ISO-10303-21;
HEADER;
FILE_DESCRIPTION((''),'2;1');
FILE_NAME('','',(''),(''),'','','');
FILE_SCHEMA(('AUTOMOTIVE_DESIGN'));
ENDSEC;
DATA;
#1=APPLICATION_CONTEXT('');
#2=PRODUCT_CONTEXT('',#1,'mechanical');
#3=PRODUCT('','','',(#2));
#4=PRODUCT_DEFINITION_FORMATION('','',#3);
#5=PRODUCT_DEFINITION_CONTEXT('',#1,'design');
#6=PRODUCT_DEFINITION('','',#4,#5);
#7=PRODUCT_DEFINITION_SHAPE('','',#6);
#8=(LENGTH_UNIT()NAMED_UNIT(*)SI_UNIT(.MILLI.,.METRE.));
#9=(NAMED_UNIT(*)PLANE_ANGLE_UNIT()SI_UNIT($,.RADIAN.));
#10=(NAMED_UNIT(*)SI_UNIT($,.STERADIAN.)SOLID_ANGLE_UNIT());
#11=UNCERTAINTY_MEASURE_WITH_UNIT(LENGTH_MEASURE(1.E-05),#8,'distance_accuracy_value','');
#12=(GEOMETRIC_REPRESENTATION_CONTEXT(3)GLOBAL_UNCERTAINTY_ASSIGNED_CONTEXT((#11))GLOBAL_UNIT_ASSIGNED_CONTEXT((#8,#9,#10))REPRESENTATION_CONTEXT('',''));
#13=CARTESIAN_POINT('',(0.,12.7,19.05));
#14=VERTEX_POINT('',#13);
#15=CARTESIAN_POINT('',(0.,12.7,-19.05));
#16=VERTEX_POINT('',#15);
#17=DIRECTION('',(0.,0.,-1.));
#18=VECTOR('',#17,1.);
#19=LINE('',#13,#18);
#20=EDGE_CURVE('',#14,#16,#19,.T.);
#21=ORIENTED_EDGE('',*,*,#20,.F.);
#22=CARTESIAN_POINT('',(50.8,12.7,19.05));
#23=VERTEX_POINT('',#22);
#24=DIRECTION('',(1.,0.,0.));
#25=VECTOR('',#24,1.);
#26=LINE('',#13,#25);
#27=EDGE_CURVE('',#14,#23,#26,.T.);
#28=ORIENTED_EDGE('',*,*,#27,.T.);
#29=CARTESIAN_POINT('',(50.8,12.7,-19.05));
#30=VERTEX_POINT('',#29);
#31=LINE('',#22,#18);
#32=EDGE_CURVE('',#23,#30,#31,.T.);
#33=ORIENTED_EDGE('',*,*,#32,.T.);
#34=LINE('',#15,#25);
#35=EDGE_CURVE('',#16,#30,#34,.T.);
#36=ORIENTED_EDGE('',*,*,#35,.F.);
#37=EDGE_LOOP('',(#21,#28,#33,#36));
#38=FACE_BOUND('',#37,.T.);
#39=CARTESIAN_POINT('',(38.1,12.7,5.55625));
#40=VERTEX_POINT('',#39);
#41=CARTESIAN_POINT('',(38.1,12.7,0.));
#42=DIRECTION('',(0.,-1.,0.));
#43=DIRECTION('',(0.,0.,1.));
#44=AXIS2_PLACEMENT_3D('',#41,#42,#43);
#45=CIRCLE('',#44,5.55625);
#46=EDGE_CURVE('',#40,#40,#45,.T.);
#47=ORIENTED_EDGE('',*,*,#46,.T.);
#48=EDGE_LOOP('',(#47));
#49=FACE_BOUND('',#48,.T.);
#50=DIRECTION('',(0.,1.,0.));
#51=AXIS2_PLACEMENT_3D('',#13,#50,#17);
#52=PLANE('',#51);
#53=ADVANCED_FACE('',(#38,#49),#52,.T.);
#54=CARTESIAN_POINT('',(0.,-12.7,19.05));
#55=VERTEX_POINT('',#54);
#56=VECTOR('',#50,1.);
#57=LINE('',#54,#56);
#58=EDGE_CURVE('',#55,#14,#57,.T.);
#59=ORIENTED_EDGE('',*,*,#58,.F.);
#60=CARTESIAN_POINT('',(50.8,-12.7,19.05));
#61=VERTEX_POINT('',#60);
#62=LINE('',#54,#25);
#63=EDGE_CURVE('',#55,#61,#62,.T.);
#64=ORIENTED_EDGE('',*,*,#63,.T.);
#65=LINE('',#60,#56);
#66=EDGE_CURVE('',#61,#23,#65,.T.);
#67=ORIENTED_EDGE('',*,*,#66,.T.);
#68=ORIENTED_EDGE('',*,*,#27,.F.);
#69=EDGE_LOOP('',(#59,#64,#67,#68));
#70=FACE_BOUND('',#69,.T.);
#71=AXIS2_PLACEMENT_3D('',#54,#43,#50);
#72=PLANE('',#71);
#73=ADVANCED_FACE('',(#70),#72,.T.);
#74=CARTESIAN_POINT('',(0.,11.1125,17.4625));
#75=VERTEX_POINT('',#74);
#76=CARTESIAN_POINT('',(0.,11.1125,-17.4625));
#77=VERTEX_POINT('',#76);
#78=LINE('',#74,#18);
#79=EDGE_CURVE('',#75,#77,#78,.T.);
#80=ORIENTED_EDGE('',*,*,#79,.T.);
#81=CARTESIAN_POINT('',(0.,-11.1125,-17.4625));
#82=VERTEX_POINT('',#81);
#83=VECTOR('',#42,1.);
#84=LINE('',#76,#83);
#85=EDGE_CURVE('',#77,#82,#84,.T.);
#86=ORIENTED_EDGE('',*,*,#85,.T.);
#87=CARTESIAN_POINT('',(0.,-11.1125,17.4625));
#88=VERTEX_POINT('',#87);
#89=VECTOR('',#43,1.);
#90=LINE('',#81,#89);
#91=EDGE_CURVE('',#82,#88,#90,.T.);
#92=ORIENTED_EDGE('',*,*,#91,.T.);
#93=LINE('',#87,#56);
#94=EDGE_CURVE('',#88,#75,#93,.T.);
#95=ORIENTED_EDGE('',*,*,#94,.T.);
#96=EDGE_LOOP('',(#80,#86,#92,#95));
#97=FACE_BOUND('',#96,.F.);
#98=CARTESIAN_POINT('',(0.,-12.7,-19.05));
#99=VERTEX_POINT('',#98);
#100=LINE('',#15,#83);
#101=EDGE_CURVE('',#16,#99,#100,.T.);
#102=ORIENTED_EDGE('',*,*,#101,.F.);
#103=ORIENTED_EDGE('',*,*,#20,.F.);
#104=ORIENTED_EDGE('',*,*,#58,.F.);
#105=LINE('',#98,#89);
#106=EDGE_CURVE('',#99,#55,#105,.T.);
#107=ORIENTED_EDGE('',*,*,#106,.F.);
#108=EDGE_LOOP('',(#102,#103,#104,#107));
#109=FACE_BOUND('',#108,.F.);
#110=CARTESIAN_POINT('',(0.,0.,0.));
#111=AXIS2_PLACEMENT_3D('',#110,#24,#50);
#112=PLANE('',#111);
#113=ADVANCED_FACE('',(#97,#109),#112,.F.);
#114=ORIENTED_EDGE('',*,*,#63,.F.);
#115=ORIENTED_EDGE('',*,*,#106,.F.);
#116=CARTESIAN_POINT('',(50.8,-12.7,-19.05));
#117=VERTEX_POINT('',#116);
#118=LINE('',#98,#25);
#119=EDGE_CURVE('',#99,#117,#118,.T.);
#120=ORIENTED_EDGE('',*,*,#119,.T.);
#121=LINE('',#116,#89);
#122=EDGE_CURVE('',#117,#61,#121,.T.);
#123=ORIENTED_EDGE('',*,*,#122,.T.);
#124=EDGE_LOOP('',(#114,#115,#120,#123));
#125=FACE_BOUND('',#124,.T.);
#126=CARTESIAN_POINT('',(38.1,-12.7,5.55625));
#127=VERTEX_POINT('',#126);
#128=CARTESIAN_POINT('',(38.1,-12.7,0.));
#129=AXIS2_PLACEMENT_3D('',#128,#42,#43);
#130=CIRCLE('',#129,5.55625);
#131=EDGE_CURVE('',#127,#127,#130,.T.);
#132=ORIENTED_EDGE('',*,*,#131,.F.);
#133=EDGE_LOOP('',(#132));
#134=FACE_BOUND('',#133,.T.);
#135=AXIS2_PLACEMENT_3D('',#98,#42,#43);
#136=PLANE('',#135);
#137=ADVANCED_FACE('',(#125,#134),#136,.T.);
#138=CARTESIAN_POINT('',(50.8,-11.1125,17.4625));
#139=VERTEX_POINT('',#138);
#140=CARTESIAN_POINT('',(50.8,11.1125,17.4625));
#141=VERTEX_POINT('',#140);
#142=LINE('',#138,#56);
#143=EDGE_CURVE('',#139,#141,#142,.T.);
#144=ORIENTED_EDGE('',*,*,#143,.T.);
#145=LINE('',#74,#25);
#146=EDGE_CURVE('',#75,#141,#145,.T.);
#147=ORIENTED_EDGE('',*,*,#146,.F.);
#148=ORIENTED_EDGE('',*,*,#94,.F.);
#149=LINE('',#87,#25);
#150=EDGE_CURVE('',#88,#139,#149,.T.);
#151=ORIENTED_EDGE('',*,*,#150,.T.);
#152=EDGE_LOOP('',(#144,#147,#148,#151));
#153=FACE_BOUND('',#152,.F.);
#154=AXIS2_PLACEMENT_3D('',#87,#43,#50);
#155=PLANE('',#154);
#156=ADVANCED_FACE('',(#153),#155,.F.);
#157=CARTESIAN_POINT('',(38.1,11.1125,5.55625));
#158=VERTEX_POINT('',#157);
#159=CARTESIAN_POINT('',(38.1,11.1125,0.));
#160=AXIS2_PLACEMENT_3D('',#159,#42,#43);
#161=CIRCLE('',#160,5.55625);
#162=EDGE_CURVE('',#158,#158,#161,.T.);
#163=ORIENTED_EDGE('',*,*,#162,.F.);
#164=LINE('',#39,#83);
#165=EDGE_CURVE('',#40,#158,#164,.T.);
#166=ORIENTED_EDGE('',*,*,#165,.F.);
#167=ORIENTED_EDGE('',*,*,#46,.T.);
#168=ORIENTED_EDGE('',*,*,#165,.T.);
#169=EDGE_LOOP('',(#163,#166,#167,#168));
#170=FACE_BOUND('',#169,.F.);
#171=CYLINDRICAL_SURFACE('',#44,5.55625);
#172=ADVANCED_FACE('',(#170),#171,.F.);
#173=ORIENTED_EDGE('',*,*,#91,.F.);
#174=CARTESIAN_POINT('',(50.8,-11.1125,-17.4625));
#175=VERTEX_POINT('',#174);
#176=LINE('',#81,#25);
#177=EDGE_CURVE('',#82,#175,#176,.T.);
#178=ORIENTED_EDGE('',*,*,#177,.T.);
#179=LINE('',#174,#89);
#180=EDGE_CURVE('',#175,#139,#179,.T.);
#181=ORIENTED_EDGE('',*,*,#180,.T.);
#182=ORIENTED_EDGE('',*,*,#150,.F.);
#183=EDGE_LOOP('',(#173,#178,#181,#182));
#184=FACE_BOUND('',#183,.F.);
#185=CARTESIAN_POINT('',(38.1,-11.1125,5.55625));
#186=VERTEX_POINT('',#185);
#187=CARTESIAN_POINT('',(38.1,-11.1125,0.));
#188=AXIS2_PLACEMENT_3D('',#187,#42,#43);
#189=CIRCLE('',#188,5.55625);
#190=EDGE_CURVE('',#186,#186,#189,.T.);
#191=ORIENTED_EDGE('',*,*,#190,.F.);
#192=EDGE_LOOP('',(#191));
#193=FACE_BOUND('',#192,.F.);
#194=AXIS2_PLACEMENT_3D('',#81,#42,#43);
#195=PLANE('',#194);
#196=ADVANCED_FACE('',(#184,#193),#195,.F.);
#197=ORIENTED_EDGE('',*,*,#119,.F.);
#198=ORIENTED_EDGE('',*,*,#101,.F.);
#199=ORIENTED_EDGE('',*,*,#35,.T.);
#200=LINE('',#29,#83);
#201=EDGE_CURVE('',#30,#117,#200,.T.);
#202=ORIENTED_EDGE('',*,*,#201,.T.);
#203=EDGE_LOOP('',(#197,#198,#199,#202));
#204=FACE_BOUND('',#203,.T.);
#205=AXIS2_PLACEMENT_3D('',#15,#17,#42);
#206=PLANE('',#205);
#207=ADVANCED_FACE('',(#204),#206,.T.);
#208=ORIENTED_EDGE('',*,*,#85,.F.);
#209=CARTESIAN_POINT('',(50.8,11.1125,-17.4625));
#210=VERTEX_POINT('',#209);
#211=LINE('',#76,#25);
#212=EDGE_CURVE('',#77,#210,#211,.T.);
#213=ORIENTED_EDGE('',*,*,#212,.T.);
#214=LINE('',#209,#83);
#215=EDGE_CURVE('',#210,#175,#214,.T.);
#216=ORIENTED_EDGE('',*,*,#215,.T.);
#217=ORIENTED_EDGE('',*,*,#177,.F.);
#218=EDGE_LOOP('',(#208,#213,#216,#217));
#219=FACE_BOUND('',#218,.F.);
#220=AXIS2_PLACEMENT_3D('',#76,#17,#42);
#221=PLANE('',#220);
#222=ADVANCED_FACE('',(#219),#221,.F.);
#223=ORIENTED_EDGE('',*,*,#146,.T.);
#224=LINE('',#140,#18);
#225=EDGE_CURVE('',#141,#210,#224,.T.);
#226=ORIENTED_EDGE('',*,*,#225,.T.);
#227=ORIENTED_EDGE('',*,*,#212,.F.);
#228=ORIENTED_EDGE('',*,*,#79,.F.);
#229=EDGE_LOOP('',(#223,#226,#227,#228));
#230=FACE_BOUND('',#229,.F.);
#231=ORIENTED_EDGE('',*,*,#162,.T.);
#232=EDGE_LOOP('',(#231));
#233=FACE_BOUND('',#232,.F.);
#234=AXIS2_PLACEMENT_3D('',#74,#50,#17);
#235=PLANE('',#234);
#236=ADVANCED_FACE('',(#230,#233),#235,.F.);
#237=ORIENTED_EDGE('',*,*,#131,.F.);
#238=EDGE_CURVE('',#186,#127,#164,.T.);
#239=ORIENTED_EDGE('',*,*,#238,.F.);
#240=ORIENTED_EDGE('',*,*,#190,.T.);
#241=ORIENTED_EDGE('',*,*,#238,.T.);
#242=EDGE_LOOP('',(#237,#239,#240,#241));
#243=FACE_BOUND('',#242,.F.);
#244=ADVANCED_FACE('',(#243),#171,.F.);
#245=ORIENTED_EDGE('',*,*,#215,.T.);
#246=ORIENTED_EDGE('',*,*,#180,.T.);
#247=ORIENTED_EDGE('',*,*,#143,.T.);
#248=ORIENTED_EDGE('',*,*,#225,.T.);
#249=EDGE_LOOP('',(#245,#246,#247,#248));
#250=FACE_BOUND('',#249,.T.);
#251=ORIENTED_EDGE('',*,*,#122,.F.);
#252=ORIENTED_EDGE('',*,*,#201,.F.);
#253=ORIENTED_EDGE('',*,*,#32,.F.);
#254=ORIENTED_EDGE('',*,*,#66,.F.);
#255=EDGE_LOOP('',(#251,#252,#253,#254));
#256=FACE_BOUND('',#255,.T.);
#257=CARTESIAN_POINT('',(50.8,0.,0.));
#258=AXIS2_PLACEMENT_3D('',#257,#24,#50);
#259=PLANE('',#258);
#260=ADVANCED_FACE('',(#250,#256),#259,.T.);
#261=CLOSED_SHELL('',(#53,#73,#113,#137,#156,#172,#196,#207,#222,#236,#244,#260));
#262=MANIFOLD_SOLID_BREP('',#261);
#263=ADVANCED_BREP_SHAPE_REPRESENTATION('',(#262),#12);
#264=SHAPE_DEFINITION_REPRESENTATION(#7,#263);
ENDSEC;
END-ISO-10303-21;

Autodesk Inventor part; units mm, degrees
ref_plane "Work Plane3" through (0, 12.7, 0) normal (0, 1, 0) x (-1, 0, 0)
ref_plane "Start Plane" through (0, 0, 0) normal (1, 0, 0) x (0, 1, 0)
ref_plane "End Plane" through (50.8, 0, 0) normal (1, 0, 0) x (0, 1, 0)
sketch "Sketch" plane through (0, 0, 0) normal (1, 0, 0) x (0, 1, 0)
  line L0 (-12.7, 19.05) -> (12.7, 19.05)
  line L1 (12.7, 19.05) -> (12.7, -19.05)
  line L2 (12.7, -19.05) -> (-12.7, -19.05)
  line L3 (-12.7, -19.05) -> (-12.7, 19.05)
  line L4 (-12.7, 19.05) -> (12.7, -19.05) construction
  line L5 (12.7, 19.05) -> (-12.7, -19.05) construction
  line L6 (-11.1125, 17.4625) -> (11.1125, 17.4625)
  line L7 (11.1125, 17.4625) -> (11.1125, -17.4625)
  line L8 (11.1125, -17.4625) -> (-11.1125, -17.4625)
  line L9 (-11.1125, -17.4625) -> (-11.1125, 17.4625)
  line L10 (-11.1125, 17.4625) -> (11.1125, -17.4625) construction
  line L11 (11.1125, 17.4625) -> (-11.1125, -17.4625) construction
  point P0 (0, 0)
  dimension "d0" = 38.1
  dimension "d1" = 25.4
  dimension "d2" = 1.5875
  dimension "d3" = 1.5875
extrude "Body" add sketch "Sketch" along normal up to surface (50.8 mm away) from surface at 0
sketch "Sketch8" plane through (0, 0, 0) normal (1, 0, 0) x (0, 1, 0)
  line L0 (0, 0) -> (10, 0)
ref_plane "Work Plane6" through (0, 0, 0) normal (0, 0, -1) x (0, 1, 0)
sketch "Sketch9" plane through (0, 0, 0) normal (0, 0, -1) x (0, 1, 0)
  line L0 (-17.78, 0) -> (17.78, 0)
  line L1 (-17.78, 50.8) -> (17.78, 50.8)
  dimension "d21" = 50.8
sketch "Sketch5" plane through (0, 12.7, -19.05) normal (0, 1, 0) x (1, 0, 0)
  line L0 (0, -38.1) -> (0, 0) projected
  point P0 (0, -19.05)
  point P1 (38.1, -19.05)
  dimension "d22" = 38.1
hole "Hole2" at (38.1, 12.7, 0) direction (0, -1, 0) diameter 11.1125 end through all
equation "\"d3\" = d2"
equation "\"G_OFFSET_START\" = 0"
equation "\"G_OFFSET_END\" = 0"
equation "\"d17\" = d4 + G_OFFSET_END"
equation "\"G_L\" = d21"
equation "\"d4\" = 50.8"
properties part number "1606067191973"
